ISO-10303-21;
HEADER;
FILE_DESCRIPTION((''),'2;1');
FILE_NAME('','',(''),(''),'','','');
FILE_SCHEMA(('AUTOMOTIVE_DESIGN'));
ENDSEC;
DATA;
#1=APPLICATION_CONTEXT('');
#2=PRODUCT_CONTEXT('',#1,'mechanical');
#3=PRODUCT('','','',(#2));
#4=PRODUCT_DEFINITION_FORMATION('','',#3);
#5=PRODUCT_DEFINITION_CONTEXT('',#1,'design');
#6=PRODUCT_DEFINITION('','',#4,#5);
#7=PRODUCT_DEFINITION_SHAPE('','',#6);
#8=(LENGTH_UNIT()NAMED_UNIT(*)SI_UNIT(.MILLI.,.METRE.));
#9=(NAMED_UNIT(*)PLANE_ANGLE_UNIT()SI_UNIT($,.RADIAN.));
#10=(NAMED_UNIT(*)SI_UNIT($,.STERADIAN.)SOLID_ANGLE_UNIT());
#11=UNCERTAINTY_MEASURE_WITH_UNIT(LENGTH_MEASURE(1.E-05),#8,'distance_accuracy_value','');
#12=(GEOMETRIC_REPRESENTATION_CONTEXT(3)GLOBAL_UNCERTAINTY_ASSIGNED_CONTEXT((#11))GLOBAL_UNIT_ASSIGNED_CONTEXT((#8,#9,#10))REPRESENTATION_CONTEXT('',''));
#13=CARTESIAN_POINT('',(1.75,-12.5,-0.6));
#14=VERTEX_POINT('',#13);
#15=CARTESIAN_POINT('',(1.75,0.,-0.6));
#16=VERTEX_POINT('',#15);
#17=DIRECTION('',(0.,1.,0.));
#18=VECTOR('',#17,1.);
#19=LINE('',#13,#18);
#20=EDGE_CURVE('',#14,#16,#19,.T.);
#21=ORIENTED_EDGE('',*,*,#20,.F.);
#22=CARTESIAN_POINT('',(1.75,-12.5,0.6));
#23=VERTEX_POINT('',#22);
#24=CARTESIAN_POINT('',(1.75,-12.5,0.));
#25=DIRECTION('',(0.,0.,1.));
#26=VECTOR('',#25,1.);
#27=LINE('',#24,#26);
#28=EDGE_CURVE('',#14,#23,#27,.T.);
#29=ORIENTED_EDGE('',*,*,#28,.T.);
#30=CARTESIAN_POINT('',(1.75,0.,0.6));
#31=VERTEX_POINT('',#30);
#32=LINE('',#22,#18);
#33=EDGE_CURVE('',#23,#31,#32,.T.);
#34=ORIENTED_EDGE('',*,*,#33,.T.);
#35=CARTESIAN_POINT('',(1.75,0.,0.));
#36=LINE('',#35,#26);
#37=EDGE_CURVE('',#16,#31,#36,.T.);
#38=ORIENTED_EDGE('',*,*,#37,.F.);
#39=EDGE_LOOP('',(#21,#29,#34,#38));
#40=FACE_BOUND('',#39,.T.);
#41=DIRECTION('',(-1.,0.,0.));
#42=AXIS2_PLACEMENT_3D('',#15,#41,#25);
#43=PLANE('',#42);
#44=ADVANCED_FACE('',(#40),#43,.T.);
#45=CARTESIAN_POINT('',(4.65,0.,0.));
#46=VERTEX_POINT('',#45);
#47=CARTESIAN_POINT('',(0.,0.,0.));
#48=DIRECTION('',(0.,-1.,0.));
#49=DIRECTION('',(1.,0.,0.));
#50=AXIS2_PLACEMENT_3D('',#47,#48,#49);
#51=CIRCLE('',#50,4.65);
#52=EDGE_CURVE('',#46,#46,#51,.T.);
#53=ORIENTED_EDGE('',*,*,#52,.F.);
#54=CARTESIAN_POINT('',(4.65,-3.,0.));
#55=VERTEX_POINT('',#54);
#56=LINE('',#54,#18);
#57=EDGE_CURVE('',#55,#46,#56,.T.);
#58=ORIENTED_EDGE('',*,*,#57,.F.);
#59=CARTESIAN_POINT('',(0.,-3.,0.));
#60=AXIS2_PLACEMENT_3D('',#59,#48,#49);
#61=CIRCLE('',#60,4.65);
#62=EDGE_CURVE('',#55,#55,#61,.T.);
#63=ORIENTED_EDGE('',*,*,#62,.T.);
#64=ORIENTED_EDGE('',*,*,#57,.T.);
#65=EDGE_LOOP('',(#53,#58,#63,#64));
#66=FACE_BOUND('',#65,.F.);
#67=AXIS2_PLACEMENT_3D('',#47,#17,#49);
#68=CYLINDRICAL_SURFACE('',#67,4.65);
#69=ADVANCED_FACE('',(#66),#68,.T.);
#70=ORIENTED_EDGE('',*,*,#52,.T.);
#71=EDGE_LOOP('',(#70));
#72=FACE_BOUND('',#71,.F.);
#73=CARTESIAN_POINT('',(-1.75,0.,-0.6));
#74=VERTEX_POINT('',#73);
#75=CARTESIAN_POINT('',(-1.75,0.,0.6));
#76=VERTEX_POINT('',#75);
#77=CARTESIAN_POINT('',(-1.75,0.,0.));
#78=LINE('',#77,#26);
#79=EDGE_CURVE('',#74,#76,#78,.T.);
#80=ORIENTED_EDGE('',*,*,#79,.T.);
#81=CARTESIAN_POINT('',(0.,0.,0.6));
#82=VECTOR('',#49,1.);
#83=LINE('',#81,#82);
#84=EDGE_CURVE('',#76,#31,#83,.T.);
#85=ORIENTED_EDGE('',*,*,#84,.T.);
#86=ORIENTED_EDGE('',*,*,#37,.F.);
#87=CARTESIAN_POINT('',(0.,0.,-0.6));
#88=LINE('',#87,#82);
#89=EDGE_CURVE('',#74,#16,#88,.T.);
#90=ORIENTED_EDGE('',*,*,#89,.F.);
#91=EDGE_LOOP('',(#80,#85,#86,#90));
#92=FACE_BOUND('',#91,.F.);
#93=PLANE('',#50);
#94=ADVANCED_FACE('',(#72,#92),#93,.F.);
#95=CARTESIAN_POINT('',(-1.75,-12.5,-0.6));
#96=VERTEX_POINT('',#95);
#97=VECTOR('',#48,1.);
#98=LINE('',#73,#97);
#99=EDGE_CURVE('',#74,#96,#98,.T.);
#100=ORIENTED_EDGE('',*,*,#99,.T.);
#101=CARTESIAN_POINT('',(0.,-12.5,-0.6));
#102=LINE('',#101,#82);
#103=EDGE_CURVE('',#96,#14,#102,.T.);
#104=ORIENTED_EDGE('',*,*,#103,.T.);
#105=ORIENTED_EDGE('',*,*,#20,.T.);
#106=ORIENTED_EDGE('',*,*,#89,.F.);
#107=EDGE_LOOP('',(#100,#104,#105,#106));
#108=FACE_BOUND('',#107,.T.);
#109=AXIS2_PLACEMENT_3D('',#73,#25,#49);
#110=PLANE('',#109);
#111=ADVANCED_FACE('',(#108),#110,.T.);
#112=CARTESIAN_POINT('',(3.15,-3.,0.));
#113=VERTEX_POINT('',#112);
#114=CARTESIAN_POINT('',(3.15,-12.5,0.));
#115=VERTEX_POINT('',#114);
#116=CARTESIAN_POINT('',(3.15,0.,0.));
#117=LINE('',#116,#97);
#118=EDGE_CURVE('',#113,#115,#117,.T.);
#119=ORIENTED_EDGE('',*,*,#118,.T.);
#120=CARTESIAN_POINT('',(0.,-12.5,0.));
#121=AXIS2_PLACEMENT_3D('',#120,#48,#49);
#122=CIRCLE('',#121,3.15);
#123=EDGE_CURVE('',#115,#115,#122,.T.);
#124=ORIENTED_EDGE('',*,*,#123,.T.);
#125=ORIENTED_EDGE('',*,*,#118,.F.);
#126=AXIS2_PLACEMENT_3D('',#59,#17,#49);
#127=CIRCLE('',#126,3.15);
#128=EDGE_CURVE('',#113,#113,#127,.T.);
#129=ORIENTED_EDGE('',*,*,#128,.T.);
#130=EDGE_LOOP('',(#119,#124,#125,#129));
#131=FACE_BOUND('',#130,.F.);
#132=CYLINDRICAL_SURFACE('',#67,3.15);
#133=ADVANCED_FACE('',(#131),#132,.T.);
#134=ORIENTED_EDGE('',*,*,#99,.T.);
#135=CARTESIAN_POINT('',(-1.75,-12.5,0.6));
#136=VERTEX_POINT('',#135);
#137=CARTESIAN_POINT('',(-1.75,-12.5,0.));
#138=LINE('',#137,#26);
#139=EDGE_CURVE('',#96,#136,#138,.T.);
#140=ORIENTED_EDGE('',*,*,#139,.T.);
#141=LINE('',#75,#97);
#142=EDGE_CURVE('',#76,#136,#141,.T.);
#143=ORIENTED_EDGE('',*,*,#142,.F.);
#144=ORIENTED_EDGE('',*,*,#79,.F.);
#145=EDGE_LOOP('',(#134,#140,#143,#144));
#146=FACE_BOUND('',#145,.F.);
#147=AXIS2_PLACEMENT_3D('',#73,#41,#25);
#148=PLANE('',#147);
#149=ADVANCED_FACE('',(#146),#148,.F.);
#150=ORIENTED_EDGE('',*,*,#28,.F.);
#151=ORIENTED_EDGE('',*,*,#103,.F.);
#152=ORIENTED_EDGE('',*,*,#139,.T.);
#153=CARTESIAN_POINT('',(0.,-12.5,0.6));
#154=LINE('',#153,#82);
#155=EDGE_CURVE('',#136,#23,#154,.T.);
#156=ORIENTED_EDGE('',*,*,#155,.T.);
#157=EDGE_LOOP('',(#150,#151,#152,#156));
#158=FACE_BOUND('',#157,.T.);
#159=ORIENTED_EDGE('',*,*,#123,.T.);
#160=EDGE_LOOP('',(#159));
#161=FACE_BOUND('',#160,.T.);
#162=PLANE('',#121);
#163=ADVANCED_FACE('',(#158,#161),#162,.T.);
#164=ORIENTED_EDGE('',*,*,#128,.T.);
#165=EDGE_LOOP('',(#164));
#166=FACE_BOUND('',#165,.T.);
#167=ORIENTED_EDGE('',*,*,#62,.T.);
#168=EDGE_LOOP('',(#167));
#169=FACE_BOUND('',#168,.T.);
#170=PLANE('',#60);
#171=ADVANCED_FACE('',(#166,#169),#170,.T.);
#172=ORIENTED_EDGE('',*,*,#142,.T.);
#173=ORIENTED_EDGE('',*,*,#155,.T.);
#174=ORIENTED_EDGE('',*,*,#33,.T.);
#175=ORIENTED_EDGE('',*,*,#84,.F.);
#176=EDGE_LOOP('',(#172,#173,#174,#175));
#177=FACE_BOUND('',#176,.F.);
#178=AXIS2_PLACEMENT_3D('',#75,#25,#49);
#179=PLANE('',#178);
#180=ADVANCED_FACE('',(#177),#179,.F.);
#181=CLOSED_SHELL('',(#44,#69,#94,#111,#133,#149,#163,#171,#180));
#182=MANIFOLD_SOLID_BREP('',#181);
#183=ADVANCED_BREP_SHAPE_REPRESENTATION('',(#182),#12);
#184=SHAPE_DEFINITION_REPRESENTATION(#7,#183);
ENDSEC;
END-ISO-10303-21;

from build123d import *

# Parameters (mm, degrees)
F0_R     = 4.65
F0_R_2   = 3.15
F0_W     = 3.5
F0_H     = 1.2
F1_DEPTH = 2
F2_DEPTH = 3
F3_DEPTH = 12.5


with BuildPart() as f1:
    # F0 (on Front) → F1 (new body)
    with BuildSketch(Plane.XZ):
        Circle(F0_R)
        Circle(F0_R_2, mode=Mode.SUBTRACT)
        Circle(F0_R_2)
        Rectangle(F0_W, F0_H, mode=Mode.SUBTRACT)
    extrude(amount=F1_DEPTH)

    # F0 (on Front) → F2 (join)
    with BuildSketch(Plane.XZ):
        Circle(F0_R)
        Circle(F0_R_2, mode=Mode.SUBTRACT)
        Circle(F0_R_2)
        Rectangle(F0_W, F0_H, mode=Mode.SUBTRACT)
    extrude(amount=F2_DEPTH)

    # F0 (on Front) → F3 (join)
    with BuildSketch(Plane.XZ):
        Circle(F0_R_2)
        Rectangle(F0_W, F0_H, mode=Mode.SUBTRACT)
    extrude(amount=F3_DEPTH)


solid = f1.part
